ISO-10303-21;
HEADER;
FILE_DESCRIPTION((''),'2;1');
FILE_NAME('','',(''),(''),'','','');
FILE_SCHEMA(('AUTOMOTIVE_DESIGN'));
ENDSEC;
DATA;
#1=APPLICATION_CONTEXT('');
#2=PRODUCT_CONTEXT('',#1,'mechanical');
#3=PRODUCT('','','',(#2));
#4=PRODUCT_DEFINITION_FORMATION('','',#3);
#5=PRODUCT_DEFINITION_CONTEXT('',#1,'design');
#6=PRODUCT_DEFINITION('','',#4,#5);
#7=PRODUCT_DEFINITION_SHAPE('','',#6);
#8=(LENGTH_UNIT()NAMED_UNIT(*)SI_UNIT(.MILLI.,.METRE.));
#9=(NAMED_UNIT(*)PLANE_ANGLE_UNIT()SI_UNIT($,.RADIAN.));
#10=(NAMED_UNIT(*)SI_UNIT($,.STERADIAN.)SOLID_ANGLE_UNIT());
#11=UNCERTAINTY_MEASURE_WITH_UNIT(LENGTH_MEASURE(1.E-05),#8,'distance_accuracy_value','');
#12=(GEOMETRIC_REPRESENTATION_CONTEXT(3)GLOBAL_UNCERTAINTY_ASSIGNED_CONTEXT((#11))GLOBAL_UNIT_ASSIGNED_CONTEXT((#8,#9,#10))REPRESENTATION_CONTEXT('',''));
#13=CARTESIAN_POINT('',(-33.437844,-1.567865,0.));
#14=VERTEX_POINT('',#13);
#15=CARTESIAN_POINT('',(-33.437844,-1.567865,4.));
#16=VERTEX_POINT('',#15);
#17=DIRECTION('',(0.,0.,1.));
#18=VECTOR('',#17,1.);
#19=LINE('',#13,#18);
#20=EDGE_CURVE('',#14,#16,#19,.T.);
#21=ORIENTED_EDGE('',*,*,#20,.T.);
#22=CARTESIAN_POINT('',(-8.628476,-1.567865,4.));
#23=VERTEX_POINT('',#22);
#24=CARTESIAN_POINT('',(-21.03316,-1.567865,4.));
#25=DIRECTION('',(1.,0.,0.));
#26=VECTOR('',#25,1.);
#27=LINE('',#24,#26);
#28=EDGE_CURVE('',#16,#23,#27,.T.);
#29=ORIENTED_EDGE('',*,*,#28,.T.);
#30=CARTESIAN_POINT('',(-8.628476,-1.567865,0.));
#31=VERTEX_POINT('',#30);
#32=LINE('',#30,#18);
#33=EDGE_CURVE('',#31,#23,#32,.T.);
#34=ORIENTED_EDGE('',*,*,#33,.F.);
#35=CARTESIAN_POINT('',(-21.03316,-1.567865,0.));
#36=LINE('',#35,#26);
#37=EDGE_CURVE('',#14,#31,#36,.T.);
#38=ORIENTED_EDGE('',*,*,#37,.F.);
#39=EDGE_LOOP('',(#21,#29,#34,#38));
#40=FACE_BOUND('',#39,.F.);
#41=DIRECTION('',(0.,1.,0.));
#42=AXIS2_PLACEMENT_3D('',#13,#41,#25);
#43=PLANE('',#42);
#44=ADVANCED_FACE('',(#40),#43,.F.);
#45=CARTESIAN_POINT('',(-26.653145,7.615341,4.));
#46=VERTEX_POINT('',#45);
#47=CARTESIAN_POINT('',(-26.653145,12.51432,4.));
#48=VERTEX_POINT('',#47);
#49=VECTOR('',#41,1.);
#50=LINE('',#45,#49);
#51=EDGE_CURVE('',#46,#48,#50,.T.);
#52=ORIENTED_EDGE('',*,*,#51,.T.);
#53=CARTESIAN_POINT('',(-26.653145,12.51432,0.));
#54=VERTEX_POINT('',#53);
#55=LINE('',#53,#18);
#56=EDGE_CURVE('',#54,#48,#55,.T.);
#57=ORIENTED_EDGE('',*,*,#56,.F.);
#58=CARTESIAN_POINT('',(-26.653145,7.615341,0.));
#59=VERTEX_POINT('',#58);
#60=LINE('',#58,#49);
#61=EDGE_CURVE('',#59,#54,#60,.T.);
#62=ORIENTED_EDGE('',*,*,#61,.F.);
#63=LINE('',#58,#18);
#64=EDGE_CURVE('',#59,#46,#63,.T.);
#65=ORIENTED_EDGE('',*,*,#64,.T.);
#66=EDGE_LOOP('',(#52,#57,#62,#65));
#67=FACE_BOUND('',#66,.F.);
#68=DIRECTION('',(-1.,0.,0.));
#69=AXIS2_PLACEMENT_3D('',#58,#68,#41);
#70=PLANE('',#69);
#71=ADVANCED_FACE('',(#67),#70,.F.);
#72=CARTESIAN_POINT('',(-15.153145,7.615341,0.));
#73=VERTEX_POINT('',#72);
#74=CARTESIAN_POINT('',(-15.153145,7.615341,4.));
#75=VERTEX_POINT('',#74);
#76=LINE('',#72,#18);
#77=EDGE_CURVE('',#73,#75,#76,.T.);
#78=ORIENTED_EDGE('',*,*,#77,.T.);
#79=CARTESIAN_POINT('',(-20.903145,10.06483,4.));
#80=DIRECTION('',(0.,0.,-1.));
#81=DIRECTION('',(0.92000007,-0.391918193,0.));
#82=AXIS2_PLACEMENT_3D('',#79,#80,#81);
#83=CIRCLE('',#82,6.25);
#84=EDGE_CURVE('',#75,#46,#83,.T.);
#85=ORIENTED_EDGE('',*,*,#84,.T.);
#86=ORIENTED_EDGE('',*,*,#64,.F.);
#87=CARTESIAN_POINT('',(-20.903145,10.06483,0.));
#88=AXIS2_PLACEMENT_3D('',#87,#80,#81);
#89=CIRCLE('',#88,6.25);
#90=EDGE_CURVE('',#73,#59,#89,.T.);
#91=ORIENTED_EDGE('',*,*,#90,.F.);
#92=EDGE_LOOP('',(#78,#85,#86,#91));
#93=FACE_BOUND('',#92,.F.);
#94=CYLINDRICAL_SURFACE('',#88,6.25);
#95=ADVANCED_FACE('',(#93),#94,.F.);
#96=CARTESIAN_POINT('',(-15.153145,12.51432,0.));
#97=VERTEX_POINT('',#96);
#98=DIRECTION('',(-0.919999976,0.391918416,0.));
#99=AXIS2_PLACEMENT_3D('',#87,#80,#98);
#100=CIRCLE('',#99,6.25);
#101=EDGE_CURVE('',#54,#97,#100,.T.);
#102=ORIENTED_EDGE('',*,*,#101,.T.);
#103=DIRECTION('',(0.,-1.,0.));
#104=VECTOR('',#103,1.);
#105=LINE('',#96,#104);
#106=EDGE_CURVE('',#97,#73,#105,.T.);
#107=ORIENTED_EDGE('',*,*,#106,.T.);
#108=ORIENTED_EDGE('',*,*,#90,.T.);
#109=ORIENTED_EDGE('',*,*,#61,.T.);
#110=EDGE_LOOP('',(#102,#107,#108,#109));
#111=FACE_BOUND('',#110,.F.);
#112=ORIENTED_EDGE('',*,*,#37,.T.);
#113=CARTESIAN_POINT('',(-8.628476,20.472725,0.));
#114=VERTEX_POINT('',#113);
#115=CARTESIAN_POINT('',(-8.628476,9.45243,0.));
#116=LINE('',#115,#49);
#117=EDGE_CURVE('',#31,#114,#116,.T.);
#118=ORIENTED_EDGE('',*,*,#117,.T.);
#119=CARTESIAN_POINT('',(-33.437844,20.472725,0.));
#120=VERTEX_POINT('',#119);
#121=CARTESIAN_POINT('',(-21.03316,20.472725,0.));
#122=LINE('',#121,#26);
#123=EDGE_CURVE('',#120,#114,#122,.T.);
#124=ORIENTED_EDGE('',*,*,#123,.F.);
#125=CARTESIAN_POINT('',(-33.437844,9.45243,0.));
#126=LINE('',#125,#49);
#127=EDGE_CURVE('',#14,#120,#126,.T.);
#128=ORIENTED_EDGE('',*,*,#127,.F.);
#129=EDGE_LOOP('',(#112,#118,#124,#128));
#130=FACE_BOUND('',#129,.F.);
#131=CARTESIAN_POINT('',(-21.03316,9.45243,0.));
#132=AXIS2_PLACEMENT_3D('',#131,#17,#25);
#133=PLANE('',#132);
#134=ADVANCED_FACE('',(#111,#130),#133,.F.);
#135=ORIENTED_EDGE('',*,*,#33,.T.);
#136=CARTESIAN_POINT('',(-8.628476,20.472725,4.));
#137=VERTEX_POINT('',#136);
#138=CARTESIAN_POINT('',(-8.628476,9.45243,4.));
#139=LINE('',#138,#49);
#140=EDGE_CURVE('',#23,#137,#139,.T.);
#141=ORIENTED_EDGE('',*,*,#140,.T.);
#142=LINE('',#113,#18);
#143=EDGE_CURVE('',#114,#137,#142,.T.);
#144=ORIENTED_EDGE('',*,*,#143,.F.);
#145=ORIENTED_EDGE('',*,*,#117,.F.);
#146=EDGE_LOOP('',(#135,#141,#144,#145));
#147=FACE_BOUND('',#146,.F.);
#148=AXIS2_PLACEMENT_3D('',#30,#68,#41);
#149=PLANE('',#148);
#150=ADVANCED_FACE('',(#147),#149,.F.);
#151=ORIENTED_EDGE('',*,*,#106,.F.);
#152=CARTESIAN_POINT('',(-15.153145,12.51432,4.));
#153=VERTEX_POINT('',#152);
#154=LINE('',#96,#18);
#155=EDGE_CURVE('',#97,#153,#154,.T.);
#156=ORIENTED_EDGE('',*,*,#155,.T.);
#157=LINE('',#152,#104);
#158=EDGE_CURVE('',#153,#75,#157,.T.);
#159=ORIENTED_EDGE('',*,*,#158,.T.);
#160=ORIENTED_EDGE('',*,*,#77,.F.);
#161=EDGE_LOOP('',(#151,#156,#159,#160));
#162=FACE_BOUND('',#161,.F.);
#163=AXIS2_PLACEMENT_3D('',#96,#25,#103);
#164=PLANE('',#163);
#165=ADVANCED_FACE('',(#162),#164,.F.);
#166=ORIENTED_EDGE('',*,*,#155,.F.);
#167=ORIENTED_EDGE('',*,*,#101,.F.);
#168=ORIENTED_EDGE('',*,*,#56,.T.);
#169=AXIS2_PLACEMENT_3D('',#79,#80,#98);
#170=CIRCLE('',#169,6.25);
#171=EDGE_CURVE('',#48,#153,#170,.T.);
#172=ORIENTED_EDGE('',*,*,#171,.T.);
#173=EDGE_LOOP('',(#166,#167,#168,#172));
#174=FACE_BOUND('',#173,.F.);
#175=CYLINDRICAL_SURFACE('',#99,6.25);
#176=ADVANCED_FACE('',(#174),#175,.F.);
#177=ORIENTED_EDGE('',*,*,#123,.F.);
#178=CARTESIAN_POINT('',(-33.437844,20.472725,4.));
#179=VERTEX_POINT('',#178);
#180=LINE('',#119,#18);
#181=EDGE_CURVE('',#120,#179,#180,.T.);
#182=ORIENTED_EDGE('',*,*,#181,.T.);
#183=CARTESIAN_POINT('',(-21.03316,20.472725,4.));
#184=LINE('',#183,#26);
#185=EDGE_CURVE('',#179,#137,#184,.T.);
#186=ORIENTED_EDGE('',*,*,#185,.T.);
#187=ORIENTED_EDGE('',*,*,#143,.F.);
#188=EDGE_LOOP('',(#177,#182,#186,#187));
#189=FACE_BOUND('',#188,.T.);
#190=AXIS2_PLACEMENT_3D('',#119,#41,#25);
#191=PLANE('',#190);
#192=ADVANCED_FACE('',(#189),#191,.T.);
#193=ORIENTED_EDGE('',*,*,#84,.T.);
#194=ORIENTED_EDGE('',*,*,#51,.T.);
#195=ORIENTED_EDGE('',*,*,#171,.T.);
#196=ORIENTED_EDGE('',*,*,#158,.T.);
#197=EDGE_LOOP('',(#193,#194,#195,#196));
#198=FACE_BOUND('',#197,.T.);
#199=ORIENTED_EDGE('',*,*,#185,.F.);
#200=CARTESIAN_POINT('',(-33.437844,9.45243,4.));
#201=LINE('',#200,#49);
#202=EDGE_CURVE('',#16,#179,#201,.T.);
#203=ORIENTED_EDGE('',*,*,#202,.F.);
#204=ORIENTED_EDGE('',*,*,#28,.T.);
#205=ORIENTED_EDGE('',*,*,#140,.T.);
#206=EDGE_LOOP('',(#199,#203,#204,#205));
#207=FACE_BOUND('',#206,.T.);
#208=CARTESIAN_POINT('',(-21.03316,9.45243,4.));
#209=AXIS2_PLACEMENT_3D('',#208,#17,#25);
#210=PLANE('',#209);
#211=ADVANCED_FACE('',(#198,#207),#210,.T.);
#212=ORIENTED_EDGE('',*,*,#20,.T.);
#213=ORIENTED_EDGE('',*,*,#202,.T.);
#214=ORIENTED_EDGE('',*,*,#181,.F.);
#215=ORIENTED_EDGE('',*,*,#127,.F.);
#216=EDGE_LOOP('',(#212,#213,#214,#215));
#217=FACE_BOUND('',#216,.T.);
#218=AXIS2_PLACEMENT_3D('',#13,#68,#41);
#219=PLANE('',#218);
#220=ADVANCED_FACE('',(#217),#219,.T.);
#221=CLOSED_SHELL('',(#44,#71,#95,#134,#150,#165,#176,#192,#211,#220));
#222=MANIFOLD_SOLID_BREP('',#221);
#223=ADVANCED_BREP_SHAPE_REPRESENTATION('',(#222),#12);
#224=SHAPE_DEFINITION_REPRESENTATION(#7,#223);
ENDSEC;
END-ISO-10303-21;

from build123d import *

# Parameters (mm, degrees)
F0_W     = 24.809369
F0_H     = 22.040591
F1_DEPTH = 4


with BuildPart() as f1:
    # F0 (on Top) → F1 (new body)
    with BuildSketch(Plane.XY):
        with Locations((-21.03316, 9.45243)):
            Rectangle(F0_W, F0_H)
        with BuildLine():
            ThreePointArc((-15.153145, 7.615341), (-20.903145, 3.81483), (-26.653145, 7.615341))
            Line((-26.653145, 7.615341), (-26.653145, 12.51432))
            ThreePointArc((-26.653145, 12.51432), (-20.903145, 16.31483), (-15.153145, 12.51432))
            Line((-15.153145, 12.51432), (-15.153145, 7.615341))
        make_face(mode=Mode.SUBTRACT)
    extrude(amount=F1_DEPTH)


solid = f1.part
